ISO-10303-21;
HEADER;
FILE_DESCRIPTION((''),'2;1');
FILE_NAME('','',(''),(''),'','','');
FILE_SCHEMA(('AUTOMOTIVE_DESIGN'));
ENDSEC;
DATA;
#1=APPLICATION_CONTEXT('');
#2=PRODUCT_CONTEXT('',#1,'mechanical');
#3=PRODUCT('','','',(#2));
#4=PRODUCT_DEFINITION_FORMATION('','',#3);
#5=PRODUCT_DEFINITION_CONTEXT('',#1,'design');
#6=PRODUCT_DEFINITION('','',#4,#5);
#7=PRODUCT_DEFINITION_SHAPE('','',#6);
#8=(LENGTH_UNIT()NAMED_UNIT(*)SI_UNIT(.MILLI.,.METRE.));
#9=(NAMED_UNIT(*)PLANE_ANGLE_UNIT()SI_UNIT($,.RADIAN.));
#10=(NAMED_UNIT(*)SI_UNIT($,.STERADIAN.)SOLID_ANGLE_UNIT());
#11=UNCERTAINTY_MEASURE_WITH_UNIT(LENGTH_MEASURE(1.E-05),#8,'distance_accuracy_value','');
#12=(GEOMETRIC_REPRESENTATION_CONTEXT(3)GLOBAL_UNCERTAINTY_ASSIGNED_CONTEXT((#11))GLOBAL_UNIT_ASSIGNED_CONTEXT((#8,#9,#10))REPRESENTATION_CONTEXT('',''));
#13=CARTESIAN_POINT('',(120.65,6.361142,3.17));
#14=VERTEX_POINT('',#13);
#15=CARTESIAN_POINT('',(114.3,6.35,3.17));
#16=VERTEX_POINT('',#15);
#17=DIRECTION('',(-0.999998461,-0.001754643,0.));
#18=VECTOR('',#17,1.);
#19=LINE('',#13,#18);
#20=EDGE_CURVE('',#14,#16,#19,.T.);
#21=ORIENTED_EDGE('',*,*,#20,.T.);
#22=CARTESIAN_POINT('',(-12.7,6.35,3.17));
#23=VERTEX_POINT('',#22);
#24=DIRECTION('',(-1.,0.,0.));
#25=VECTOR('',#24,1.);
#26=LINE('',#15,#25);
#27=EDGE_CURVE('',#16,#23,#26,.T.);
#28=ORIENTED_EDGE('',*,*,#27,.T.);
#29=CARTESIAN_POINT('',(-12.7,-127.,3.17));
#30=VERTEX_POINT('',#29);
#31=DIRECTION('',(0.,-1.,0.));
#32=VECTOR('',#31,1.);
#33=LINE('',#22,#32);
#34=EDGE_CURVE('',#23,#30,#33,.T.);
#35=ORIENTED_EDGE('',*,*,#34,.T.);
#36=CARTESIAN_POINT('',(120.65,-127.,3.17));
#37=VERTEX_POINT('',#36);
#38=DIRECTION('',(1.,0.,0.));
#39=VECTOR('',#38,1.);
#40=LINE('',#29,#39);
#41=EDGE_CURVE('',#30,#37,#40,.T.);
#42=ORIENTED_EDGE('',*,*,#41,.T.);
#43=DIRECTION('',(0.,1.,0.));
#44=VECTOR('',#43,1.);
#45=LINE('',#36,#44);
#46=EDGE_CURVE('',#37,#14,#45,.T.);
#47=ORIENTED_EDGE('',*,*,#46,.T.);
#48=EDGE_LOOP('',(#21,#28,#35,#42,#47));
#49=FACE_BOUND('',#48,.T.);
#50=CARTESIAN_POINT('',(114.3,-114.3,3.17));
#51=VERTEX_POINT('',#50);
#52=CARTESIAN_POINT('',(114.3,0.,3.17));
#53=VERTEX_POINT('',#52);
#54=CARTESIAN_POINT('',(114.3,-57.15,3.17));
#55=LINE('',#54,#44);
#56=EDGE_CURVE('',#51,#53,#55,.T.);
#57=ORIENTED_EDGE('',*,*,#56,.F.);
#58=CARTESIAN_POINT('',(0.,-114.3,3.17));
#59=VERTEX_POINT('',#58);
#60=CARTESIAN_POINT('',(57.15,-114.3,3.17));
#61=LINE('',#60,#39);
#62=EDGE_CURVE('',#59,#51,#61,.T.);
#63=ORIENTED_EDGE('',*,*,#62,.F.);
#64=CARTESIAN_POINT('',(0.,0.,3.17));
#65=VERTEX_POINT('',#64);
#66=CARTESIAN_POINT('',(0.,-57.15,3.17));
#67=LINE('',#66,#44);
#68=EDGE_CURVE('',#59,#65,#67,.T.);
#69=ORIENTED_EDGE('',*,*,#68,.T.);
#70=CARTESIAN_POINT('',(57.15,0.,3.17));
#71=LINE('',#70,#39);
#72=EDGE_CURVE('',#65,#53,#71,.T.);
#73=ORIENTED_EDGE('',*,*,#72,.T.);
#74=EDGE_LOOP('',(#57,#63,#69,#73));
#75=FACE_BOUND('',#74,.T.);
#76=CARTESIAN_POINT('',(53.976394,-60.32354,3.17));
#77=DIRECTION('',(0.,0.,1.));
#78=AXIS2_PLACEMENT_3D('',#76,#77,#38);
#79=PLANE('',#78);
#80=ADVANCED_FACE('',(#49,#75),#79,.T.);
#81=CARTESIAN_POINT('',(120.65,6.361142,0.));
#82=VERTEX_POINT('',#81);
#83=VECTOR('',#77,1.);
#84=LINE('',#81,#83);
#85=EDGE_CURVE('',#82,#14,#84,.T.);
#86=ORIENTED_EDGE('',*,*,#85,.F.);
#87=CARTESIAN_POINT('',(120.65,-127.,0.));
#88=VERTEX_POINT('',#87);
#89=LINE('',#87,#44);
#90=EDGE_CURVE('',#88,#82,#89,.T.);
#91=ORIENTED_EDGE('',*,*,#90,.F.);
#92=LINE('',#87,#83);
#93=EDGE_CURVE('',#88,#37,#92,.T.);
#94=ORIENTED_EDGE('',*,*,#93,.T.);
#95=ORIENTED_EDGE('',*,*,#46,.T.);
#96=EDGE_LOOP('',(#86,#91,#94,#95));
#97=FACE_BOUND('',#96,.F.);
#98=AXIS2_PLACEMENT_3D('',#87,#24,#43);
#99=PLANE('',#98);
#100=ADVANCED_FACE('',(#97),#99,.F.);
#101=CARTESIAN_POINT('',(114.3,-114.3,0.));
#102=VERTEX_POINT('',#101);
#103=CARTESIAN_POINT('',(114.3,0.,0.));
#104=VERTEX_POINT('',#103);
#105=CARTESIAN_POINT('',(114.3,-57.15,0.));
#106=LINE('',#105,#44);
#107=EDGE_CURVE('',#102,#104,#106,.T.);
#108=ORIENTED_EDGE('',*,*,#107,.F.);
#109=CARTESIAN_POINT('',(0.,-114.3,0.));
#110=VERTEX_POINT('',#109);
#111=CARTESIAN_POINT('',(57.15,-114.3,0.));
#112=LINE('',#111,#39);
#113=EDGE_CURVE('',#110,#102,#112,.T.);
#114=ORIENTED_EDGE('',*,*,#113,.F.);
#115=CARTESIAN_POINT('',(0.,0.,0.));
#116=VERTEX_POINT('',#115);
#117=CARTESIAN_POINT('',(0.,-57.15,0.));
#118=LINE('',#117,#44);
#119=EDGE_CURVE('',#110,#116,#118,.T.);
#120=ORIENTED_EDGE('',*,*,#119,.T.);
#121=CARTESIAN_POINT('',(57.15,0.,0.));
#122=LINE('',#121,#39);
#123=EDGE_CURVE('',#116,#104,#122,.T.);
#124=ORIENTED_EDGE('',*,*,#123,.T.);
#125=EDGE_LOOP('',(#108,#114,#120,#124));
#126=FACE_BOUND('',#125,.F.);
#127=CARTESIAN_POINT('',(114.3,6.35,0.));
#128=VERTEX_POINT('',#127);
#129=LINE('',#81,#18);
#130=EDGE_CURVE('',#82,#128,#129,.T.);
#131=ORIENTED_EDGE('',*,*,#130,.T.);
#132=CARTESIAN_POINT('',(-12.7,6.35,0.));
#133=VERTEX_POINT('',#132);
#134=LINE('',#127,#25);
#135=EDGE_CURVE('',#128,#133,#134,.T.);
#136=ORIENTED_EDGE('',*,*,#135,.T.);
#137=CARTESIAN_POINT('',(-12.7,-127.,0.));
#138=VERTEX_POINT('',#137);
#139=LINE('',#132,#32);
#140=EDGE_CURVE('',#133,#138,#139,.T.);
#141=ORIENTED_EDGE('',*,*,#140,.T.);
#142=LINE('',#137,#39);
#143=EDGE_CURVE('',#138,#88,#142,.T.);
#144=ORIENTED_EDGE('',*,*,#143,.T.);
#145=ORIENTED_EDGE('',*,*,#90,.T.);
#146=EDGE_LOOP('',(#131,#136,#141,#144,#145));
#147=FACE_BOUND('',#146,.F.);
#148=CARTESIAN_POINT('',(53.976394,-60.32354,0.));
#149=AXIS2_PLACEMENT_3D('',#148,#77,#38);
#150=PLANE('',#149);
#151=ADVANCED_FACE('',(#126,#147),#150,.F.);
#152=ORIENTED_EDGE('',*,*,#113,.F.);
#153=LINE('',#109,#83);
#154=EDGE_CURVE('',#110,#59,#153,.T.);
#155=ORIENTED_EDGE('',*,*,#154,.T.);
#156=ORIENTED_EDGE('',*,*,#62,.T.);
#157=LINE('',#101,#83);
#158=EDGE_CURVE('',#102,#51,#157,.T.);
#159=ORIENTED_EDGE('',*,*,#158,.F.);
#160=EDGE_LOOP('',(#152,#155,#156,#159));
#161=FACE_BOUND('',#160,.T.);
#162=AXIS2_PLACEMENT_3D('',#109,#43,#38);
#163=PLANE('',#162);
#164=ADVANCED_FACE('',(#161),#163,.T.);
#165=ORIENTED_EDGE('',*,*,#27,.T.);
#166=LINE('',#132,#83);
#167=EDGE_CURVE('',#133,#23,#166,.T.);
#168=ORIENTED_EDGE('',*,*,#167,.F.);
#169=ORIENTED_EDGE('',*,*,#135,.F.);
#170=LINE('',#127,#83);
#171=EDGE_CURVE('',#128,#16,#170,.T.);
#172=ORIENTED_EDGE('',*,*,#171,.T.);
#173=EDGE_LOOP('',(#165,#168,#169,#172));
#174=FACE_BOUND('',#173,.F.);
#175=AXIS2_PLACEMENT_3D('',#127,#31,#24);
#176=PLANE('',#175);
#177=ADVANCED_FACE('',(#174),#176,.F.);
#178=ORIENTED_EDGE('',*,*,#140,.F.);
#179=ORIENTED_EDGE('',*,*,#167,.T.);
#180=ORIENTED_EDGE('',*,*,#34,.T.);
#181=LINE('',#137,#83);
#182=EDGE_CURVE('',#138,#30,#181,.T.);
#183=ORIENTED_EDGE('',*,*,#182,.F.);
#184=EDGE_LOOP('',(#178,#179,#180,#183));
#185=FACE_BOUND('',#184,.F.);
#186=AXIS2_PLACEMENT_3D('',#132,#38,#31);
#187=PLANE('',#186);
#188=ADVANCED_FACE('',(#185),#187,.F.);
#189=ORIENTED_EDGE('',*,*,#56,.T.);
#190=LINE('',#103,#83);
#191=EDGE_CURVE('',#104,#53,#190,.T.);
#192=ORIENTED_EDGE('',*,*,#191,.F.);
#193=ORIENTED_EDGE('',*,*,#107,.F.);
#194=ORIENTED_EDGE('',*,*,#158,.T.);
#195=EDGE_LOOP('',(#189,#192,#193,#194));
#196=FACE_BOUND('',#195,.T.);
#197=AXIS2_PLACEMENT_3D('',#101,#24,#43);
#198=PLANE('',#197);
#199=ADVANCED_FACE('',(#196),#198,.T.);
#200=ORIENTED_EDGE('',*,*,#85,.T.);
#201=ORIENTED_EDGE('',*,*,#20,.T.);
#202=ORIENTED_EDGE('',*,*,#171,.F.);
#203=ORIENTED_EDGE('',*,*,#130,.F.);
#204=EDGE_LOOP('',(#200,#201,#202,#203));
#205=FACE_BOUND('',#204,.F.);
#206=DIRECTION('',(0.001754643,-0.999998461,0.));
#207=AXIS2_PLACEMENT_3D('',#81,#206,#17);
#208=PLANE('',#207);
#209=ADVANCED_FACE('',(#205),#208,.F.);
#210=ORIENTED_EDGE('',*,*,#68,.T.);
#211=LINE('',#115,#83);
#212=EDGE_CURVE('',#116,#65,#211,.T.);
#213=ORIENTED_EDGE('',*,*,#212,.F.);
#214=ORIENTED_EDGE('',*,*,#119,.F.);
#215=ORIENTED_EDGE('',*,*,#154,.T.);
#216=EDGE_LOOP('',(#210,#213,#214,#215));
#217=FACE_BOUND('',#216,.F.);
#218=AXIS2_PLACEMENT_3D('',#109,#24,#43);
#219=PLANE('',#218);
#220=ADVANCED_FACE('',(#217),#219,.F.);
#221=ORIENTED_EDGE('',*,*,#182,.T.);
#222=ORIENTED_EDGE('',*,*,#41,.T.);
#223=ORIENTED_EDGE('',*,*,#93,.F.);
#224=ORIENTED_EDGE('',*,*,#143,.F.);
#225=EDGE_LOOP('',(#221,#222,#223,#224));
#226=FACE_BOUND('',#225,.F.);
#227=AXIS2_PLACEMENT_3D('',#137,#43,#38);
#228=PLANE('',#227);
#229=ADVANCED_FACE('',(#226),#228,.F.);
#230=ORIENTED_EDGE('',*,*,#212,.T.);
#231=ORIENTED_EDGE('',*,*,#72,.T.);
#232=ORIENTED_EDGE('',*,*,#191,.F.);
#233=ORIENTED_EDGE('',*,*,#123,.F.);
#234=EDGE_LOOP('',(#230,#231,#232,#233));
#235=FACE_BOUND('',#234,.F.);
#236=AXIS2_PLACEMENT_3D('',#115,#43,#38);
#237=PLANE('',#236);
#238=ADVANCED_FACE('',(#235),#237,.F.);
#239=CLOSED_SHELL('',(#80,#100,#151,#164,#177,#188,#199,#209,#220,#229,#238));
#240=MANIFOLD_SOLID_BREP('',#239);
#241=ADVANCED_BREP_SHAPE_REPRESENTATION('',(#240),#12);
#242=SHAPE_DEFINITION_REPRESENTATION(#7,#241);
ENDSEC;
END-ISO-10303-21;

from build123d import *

# Parameters (mm, degrees)
F0_W     = 114.3
F0_H     = 114.3
F1_DEPTH = 3.17


with BuildPart() as f1:
    # F0 (on Top) → F1 (new body)
    with BuildSketch(Plane.XY):
        Polygon((114.3, 6.35), (-12.7, 6.35), (-12.7, -127), (120.65, -127), (120.65, 6.361142), align=None)
        with Locations((57.15, -57.15)):
            Rectangle(F0_W, F0_H, mode=Mode.SUBTRACT)
    extrude(amount=F1_DEPTH)


solid = f1.part
